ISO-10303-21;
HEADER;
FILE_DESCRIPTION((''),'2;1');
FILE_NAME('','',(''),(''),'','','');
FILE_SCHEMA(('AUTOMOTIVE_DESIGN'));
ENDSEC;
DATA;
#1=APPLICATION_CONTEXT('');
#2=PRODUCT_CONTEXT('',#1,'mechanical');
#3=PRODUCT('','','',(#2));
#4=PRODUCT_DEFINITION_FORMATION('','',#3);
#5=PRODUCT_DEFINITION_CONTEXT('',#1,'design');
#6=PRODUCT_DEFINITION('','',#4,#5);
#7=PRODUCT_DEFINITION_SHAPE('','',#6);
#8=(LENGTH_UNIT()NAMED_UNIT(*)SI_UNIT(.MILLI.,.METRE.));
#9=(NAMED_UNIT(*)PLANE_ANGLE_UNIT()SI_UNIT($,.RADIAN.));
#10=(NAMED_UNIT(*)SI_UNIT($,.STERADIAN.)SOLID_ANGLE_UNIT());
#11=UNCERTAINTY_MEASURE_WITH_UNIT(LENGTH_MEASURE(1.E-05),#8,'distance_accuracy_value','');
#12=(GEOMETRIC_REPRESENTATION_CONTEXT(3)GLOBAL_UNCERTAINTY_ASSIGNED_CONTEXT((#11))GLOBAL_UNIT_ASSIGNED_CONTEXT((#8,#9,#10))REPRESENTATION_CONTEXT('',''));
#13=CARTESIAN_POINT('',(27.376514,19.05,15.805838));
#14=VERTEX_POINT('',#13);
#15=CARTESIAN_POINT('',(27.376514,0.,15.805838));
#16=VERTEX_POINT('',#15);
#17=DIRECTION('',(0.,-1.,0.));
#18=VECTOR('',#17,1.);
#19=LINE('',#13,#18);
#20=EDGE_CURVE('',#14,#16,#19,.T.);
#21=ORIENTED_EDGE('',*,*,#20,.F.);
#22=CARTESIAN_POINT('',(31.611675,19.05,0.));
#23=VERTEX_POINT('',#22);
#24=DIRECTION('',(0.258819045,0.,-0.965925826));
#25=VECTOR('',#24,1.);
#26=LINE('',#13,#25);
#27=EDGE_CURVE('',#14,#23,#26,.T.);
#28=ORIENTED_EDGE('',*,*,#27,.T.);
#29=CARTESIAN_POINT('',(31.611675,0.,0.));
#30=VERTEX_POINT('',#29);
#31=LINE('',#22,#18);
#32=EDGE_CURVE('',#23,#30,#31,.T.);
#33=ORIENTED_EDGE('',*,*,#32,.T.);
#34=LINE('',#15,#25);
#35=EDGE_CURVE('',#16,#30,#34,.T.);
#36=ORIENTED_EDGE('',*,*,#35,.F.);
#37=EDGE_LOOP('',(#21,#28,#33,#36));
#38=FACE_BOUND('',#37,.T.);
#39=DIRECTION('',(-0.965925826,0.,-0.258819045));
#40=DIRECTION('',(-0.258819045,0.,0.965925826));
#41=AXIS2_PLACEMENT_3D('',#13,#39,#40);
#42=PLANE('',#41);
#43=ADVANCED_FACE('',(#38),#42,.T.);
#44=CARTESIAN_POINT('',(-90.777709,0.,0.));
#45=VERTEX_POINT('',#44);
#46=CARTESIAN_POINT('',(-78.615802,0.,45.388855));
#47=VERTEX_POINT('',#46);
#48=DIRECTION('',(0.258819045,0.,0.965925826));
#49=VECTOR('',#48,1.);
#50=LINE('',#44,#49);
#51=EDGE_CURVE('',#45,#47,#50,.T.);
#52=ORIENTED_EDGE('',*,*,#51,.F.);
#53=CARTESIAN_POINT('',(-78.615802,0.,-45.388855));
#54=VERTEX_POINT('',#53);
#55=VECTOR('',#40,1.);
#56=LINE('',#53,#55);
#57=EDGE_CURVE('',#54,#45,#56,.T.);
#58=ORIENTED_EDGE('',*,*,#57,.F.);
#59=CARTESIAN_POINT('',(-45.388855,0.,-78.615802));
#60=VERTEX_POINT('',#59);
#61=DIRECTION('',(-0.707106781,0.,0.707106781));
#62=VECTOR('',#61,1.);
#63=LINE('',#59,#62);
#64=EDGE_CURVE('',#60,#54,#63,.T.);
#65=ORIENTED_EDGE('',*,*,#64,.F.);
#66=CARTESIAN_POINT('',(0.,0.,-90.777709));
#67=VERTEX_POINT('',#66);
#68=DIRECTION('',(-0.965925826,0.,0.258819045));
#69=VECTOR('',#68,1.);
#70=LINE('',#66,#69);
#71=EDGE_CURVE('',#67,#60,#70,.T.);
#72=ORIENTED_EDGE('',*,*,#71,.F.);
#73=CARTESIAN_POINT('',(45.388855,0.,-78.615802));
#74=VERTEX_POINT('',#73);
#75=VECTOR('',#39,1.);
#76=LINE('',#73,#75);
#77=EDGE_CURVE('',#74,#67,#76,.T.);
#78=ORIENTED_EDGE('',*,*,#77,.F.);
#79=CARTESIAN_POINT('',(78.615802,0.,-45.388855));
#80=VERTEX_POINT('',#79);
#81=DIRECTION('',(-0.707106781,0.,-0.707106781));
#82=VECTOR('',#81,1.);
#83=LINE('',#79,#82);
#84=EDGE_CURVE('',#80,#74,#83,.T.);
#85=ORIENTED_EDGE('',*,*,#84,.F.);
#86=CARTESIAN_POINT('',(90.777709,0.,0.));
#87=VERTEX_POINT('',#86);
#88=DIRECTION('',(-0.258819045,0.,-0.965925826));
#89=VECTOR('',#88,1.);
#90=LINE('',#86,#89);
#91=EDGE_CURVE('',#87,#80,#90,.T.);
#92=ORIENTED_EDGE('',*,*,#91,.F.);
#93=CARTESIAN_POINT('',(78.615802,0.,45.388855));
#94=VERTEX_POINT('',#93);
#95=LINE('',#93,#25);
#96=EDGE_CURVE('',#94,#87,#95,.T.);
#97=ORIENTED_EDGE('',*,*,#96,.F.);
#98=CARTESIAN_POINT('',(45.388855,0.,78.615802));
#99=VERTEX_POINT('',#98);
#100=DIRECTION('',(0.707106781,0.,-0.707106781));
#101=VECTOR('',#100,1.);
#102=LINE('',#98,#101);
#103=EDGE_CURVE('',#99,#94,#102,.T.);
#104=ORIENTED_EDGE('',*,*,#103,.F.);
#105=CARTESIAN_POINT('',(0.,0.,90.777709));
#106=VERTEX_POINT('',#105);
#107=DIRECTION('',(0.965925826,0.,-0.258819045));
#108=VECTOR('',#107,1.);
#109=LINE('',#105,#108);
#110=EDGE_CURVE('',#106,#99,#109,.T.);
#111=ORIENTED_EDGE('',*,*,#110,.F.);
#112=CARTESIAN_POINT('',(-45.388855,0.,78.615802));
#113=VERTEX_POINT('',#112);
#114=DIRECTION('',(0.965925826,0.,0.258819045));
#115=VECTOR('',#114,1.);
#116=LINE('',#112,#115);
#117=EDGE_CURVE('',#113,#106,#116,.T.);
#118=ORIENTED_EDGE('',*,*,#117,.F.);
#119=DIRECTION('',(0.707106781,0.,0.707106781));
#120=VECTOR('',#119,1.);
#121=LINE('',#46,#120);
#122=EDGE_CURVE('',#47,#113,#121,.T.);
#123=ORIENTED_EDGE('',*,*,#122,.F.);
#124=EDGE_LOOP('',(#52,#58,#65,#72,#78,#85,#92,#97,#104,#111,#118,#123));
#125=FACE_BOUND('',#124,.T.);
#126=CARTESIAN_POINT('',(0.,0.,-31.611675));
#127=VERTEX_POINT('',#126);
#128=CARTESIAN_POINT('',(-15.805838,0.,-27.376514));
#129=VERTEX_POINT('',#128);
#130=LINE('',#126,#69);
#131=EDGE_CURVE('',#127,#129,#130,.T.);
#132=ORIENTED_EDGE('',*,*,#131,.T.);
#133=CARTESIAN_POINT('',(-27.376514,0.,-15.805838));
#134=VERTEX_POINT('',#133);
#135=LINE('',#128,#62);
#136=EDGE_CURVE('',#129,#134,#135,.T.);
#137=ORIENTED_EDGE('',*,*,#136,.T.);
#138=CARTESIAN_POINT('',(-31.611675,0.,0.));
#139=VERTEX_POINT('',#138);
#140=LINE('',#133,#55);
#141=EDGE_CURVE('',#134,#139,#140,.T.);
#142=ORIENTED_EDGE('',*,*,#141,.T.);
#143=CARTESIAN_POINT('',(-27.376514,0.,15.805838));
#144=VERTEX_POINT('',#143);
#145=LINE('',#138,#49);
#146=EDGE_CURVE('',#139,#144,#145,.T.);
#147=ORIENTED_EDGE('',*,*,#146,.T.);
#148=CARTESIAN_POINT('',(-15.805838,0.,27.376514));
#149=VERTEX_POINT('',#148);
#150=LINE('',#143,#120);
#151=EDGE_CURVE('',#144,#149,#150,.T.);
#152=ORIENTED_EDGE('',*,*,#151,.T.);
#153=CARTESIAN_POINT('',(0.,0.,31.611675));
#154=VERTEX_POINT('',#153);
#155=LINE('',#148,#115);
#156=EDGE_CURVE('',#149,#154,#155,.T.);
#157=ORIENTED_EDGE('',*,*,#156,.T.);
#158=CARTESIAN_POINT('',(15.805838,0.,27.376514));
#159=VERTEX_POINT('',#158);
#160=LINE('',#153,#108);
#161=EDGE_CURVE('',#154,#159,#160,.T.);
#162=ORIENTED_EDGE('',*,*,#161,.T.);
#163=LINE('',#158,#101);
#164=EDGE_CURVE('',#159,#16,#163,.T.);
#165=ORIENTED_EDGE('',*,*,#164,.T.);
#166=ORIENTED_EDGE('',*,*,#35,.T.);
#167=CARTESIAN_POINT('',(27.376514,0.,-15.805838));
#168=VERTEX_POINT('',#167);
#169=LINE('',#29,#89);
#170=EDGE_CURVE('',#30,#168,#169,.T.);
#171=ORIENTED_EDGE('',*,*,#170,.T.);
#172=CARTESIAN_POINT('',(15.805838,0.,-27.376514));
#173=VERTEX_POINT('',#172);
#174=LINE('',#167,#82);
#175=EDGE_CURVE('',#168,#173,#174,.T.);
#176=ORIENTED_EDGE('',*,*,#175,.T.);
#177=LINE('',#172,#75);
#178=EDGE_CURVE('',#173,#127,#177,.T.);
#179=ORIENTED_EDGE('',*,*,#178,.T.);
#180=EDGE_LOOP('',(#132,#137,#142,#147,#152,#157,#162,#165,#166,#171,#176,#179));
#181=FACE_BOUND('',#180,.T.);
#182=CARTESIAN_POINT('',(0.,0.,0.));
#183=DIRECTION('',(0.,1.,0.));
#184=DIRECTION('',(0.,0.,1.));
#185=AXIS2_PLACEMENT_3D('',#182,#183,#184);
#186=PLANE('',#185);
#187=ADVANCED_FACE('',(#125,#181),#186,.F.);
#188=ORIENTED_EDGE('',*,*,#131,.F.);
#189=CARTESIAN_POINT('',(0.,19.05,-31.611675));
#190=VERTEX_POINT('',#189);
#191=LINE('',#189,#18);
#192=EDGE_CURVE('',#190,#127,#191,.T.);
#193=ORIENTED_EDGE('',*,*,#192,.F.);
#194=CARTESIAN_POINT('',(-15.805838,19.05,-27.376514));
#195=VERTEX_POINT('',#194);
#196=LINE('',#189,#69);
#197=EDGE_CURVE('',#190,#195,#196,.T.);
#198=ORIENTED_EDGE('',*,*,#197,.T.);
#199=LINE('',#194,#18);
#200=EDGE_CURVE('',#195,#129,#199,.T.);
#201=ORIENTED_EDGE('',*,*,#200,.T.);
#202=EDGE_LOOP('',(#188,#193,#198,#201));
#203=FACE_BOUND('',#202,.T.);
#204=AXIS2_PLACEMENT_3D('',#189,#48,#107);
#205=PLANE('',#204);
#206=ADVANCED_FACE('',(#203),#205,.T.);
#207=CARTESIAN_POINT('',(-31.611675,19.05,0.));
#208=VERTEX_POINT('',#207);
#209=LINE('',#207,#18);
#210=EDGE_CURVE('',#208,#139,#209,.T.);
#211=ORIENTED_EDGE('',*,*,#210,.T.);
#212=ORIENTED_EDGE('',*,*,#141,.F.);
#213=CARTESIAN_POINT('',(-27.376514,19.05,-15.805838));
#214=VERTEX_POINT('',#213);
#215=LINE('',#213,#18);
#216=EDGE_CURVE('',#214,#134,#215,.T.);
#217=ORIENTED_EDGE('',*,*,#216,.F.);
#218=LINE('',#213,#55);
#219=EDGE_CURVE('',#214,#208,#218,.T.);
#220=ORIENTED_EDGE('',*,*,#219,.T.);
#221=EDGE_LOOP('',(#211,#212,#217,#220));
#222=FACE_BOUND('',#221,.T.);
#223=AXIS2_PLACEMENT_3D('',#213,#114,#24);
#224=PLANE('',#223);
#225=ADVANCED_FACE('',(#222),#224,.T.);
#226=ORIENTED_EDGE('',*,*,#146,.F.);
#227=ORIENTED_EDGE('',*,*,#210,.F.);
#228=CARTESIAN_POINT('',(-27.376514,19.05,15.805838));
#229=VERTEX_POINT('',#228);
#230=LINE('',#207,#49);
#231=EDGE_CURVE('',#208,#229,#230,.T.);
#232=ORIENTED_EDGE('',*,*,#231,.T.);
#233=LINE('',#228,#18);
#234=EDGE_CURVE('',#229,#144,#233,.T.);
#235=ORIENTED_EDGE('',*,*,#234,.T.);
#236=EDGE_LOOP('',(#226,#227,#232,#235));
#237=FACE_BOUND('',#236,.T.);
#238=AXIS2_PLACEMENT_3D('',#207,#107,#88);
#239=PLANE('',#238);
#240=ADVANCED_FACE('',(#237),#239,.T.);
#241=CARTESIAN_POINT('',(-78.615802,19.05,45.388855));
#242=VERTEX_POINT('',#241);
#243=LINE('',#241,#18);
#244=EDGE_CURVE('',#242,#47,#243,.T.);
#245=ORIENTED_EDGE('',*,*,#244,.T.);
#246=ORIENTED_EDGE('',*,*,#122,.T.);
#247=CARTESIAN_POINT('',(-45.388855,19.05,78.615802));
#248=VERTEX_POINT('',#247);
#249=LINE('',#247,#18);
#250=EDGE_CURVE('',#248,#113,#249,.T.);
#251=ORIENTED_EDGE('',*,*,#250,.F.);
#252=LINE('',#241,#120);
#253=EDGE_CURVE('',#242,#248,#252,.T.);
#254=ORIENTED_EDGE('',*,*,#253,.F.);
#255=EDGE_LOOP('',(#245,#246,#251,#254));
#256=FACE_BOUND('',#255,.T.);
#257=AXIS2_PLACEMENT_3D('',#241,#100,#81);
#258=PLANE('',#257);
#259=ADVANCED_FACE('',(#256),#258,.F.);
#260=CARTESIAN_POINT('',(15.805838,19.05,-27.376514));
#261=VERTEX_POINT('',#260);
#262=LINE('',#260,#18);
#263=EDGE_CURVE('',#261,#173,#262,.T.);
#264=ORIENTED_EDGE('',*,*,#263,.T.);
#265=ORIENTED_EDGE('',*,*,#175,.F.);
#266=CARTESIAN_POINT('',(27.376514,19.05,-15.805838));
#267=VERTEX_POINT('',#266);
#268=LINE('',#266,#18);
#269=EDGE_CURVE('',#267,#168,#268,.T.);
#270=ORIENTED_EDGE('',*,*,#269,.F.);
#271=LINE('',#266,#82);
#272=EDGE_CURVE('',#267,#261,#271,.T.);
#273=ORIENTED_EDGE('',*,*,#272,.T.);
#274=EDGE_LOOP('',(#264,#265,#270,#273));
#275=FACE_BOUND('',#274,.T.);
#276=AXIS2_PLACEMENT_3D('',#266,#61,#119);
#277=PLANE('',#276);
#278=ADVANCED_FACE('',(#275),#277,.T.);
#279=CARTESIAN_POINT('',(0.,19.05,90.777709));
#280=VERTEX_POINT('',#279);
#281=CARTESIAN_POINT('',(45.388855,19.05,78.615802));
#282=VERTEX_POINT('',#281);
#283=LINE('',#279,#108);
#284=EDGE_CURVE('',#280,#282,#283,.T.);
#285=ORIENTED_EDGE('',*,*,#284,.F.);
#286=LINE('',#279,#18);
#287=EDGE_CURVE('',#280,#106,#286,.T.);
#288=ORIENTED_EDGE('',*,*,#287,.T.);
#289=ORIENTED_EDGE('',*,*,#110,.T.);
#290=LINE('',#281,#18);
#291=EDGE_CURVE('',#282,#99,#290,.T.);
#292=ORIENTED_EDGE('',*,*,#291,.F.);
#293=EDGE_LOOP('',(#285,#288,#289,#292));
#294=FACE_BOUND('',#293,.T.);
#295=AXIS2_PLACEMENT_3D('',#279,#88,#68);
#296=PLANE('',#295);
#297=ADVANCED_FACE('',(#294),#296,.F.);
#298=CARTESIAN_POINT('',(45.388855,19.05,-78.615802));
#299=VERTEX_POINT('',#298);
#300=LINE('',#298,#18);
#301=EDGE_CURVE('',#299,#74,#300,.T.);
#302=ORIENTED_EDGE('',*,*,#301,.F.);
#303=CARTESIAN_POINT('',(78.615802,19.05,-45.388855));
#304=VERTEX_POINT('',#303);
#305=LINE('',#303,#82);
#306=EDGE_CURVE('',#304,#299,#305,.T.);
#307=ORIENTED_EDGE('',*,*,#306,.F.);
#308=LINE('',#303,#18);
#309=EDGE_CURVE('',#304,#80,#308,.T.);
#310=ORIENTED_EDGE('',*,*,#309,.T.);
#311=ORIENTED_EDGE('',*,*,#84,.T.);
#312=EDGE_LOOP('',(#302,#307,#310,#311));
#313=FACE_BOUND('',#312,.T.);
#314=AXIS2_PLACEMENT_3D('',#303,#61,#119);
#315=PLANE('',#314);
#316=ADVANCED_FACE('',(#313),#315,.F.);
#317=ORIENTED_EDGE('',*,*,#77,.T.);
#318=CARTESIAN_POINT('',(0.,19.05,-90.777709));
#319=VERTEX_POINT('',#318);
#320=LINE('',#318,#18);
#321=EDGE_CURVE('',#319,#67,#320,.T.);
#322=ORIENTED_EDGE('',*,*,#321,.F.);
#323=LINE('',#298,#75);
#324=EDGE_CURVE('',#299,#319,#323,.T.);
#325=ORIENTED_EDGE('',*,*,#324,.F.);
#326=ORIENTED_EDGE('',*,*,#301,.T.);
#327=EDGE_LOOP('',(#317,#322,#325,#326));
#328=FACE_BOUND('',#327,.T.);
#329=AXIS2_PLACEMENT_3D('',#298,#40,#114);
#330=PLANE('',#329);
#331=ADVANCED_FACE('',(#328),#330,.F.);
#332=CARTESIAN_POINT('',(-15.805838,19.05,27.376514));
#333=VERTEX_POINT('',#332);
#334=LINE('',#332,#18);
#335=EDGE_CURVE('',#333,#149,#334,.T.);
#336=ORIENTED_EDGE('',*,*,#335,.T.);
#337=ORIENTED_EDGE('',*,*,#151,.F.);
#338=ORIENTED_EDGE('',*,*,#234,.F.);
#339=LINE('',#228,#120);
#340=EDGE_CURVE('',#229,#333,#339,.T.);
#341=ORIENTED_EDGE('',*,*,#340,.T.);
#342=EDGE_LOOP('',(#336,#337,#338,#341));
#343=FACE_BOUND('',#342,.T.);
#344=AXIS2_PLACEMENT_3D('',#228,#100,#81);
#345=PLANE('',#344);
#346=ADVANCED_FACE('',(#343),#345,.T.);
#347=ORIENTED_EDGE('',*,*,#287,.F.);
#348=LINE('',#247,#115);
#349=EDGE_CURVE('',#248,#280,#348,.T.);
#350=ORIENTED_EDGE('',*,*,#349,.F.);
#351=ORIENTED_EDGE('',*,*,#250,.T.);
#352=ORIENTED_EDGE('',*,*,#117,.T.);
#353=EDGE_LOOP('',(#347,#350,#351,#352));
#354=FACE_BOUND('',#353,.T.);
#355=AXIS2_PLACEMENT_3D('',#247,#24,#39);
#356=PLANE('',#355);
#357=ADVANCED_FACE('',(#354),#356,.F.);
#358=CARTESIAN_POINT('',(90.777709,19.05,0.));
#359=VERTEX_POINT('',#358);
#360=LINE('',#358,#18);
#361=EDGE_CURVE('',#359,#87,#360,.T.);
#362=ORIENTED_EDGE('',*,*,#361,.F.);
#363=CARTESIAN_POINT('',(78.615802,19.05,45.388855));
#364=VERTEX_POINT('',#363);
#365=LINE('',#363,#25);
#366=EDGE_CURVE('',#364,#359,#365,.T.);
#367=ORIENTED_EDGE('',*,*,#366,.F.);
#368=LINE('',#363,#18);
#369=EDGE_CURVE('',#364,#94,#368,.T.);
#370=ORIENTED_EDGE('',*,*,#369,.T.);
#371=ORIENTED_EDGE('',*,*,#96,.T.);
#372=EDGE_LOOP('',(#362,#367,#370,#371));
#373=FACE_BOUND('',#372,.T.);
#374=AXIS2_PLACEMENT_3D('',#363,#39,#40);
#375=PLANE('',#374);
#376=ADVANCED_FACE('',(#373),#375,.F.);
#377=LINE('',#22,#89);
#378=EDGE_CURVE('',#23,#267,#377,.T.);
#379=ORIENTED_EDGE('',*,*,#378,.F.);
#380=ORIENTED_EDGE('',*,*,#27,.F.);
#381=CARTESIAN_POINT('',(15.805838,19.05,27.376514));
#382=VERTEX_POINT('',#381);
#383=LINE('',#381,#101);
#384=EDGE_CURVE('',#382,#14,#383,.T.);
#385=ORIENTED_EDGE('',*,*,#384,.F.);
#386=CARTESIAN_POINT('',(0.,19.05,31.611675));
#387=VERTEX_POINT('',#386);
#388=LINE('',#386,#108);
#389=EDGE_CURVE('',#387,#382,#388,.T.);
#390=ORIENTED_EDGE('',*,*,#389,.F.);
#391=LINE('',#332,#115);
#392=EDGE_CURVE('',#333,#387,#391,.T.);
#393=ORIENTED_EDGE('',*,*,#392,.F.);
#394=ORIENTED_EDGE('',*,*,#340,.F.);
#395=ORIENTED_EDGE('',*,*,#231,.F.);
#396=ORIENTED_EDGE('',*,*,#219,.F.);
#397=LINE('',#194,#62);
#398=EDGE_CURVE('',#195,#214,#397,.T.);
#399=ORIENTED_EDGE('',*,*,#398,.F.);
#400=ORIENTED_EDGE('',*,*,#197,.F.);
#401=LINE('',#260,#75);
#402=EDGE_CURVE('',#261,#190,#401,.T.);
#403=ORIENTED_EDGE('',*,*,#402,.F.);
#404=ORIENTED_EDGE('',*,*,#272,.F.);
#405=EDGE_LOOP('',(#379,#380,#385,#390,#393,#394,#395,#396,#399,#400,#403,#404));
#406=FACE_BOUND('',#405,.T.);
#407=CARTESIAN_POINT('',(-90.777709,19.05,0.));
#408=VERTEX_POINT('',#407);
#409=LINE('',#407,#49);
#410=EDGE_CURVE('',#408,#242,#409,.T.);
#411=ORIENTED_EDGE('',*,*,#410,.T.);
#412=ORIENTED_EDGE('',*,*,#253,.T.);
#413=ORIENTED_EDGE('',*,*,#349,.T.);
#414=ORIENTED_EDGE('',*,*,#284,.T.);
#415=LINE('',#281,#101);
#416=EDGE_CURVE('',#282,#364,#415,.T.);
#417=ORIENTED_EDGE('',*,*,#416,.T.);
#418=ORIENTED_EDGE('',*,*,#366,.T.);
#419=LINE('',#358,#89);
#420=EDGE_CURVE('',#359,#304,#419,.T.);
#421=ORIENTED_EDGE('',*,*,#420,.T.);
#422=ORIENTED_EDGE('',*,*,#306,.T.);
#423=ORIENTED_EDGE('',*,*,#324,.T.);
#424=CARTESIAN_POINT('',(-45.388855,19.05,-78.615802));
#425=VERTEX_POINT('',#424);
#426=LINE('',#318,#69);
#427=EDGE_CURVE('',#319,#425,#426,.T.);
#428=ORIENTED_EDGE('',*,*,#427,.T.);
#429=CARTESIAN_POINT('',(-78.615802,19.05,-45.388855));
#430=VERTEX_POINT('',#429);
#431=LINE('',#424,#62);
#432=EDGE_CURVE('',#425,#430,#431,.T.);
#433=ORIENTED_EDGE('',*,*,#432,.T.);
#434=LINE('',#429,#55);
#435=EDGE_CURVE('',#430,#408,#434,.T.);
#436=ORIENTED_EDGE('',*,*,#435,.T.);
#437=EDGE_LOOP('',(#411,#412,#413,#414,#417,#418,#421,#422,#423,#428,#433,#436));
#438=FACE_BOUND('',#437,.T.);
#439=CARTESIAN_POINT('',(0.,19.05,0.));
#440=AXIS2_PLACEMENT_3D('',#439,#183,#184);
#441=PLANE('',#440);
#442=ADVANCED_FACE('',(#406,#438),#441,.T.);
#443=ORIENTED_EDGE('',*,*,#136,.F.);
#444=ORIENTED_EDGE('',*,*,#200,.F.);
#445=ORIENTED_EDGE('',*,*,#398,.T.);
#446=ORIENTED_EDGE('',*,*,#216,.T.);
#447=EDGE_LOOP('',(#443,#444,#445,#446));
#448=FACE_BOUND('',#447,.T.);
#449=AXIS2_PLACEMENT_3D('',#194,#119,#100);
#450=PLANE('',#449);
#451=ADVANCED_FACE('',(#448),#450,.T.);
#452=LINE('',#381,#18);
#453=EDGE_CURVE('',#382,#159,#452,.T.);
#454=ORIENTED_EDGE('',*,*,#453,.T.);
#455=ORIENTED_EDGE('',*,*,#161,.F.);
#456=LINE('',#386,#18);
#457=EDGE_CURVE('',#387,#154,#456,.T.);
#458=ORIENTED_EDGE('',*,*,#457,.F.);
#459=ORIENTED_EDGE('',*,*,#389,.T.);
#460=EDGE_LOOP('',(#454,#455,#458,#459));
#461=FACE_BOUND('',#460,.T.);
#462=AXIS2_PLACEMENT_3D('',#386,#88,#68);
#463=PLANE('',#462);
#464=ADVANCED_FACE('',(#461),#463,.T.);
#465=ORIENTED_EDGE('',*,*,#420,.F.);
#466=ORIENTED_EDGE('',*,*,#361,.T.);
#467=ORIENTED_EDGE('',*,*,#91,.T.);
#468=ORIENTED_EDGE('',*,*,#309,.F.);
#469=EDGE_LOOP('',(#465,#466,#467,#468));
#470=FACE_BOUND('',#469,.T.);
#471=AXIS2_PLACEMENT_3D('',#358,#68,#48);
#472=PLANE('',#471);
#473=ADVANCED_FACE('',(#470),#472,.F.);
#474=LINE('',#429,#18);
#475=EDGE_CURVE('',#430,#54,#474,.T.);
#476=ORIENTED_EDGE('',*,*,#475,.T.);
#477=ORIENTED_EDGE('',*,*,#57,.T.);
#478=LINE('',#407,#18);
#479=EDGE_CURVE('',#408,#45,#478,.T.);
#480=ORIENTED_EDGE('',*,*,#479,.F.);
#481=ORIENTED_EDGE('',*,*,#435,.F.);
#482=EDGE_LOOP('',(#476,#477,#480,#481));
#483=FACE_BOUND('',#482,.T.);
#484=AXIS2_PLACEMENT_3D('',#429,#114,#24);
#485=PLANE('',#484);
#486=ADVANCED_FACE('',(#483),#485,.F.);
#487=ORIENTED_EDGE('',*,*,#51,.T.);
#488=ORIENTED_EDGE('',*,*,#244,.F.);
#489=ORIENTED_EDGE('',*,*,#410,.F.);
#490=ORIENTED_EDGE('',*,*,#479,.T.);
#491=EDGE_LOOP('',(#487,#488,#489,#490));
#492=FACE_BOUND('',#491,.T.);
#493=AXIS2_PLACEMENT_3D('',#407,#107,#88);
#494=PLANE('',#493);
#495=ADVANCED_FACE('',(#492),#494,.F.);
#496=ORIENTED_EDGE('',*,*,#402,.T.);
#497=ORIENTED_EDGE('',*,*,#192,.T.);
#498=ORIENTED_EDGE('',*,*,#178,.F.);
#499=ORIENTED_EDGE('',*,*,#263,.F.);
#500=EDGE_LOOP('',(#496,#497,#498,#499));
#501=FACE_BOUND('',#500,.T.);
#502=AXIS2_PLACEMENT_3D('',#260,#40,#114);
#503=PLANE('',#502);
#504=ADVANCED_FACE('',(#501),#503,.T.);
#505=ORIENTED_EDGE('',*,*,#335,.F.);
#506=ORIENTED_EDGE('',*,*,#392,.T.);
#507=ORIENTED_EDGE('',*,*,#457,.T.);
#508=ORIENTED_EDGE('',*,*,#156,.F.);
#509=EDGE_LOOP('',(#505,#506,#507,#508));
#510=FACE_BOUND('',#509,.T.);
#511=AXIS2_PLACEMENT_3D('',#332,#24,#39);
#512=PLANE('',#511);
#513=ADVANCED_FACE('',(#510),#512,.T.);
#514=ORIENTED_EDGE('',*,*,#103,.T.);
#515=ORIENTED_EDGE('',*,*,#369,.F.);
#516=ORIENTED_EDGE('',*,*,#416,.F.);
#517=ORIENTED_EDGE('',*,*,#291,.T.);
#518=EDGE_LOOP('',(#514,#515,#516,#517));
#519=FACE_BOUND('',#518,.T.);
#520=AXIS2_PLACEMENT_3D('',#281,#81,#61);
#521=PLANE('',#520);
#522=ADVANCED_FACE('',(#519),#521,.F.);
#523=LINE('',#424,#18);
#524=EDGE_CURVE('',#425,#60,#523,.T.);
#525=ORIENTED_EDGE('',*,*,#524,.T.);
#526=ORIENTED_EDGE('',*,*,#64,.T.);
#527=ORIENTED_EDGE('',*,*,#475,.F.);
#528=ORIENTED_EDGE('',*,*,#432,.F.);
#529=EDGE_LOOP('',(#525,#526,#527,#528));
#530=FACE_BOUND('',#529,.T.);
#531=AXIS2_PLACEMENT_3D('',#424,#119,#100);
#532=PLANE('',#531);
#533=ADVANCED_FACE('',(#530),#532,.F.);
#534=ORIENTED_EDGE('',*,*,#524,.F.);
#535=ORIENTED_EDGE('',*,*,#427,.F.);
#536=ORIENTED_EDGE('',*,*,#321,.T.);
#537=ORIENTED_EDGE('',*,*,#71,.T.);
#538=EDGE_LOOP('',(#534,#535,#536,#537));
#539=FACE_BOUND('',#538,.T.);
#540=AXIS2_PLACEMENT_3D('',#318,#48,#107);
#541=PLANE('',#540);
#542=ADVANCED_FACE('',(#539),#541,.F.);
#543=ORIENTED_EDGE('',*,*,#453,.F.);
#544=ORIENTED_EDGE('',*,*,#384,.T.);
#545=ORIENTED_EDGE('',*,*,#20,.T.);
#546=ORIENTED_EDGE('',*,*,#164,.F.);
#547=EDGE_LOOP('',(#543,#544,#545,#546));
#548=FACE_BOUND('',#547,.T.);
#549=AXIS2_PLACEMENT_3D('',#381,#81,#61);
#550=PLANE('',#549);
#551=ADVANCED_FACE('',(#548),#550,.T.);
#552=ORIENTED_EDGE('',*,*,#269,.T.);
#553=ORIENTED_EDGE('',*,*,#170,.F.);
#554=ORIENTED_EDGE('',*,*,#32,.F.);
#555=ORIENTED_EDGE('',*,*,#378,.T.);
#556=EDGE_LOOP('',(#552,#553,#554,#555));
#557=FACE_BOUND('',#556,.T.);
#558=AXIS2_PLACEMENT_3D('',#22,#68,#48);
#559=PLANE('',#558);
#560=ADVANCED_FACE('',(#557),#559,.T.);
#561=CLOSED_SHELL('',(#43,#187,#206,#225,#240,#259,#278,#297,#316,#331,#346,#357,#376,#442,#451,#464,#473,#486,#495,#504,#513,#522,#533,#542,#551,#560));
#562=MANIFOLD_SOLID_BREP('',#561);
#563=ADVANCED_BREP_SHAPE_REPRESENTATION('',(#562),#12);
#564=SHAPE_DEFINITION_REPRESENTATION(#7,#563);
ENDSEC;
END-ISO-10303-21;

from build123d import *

# Parameters (mm, degrees)
BOSS_EXTRUDE1_DEPTH = 19.05


with BuildPart() as part:
    # Sketch1 → Boss-Extrude1 (new body)
    with BuildSketch(Plane(origin=(0, 0, 0), x_dir=(1, 0, 0), z_dir=(0, 1, 0))):
        Polygon((90.777709155, 0), (78.615802225, 45.388854577), (45.388854577, 78.615802225), (0, 90.777709155), (-45.388854577, 78.615802225), (-78.615802225, 45.388854577), (-90.777709155, 0), (-78.615802225, -45.388854577), (-45.388854577, -78.615802225), (0, -90.777709155), (45.388854577, -78.615802225), (78.615802225, -45.388854577), align=None)
        Polygon((31.611675444, 0), (27.376513991, 15.805837722), (15.805837722, 27.376513991), (0, 31.611675444), (-15.805837722, 27.376513991), (-27.376513991, 15.805837722), (-31.611675444, 0), (-27.376513991, -15.805837722), (-15.805837722, -27.376513991), (0, -31.611675444), (15.805837722, -27.376513991), (27.376513991, -15.805837722), align=None, mode=Mode.SUBTRACT)
    extrude(amount=BOSS_EXTRUDE1_DEPTH)


solid = part.part
